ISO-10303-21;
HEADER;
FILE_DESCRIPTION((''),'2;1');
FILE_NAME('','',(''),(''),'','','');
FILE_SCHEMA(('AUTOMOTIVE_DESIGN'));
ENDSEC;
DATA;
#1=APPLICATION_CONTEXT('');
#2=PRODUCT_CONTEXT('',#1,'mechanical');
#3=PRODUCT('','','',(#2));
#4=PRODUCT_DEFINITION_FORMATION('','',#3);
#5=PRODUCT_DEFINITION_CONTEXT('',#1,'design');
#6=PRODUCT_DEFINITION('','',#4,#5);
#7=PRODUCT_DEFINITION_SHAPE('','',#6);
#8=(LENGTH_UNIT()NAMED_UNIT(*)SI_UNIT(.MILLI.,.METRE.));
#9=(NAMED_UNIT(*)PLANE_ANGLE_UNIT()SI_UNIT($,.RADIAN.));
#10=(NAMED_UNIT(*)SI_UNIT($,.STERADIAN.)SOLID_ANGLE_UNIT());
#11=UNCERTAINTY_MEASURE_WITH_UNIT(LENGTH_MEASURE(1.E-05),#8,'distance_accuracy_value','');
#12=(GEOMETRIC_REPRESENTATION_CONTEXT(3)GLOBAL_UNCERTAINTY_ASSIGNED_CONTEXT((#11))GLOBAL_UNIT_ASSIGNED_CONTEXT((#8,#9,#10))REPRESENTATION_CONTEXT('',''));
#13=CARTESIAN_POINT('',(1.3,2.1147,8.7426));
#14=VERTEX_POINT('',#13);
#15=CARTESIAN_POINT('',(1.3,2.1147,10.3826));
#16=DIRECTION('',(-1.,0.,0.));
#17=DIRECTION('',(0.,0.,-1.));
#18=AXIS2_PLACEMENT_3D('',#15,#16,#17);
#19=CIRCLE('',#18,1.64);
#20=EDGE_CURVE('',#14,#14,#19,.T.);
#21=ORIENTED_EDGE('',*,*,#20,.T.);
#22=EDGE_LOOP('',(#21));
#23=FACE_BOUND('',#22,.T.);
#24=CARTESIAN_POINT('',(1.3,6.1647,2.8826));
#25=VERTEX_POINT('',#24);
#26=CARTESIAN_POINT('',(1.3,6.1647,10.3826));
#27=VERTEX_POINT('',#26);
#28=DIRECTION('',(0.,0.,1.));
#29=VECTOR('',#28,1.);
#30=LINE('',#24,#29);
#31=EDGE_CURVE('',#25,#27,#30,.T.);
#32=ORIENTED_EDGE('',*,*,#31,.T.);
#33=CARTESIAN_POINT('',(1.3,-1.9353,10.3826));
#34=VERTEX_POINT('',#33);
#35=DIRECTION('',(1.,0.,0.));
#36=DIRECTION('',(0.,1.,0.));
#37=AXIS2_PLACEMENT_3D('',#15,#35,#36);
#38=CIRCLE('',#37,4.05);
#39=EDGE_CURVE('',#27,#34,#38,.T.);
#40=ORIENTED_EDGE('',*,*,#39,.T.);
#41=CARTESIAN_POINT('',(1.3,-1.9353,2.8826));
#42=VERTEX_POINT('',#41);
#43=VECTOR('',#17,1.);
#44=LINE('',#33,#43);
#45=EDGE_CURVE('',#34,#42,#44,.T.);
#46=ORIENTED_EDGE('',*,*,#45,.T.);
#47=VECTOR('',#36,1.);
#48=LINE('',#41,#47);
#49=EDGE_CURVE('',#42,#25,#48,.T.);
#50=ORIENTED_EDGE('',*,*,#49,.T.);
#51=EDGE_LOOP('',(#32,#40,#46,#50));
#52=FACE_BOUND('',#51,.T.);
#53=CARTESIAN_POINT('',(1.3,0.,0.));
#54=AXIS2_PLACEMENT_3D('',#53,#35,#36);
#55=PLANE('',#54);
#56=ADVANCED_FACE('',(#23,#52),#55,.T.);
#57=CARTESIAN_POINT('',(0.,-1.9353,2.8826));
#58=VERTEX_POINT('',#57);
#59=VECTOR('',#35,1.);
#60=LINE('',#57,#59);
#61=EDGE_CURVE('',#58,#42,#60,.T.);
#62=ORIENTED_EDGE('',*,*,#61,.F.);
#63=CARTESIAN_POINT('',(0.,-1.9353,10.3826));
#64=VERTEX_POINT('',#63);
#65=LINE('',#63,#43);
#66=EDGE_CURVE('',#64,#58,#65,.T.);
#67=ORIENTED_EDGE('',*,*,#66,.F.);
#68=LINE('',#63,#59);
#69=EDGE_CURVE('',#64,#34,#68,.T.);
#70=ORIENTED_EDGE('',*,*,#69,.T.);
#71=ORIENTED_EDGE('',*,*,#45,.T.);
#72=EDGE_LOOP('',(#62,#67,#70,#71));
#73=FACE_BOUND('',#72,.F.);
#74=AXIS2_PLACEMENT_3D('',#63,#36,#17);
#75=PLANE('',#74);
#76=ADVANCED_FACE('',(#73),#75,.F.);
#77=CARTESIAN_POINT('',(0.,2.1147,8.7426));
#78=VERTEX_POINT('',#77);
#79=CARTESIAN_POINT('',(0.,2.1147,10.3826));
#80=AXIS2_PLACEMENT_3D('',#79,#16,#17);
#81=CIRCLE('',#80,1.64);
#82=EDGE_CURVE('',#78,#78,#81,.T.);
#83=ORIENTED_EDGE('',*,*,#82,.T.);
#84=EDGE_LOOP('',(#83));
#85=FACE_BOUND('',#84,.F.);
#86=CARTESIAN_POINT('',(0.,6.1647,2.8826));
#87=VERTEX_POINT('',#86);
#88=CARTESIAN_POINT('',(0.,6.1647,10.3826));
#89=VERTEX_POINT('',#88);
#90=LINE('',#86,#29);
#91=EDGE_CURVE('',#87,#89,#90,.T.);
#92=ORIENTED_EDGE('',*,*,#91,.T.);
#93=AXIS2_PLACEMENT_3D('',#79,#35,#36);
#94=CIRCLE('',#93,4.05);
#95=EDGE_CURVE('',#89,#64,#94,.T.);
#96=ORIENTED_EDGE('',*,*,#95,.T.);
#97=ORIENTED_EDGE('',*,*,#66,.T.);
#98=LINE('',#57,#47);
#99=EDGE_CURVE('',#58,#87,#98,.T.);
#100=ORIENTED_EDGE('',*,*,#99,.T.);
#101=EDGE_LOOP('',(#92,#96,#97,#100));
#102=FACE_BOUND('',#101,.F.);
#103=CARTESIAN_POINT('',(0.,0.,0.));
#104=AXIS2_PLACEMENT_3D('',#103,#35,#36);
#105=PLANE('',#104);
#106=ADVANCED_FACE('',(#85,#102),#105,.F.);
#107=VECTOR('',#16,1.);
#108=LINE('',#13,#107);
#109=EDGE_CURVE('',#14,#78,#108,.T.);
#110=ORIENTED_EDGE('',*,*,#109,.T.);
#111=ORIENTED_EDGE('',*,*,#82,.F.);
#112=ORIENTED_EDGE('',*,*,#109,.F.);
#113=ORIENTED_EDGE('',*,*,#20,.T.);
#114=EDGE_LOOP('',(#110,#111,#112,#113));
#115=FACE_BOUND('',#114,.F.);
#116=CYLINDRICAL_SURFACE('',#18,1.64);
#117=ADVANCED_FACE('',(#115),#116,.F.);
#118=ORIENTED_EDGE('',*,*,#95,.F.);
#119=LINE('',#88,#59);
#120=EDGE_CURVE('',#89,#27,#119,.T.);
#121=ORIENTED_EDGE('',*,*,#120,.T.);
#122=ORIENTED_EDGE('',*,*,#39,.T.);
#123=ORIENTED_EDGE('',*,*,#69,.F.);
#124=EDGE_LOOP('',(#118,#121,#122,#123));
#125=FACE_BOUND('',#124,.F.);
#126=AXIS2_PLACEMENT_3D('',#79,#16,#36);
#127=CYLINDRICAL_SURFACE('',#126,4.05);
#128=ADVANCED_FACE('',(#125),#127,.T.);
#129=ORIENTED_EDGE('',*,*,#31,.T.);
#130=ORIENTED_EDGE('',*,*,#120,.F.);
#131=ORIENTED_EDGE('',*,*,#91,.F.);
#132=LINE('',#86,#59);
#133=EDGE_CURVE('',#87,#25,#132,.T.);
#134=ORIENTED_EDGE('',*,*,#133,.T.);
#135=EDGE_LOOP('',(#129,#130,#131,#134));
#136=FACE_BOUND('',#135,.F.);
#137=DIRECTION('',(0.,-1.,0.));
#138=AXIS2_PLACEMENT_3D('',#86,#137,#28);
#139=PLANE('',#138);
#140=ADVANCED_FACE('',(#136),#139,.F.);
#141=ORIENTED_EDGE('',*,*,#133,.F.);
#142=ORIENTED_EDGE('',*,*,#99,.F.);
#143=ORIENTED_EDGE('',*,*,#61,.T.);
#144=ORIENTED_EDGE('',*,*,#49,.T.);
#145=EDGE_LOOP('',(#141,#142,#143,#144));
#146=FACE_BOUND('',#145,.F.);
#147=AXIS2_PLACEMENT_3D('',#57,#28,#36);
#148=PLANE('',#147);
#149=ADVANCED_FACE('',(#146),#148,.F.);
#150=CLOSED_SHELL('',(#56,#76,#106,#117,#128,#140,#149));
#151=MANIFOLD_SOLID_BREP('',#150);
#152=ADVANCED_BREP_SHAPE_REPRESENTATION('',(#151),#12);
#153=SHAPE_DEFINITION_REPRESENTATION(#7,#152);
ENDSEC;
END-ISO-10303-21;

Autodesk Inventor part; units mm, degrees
ref_plane "YZ Plane" through (0, 0, 0) normal (1, 0, 0) x (0, 1, 0)
ref_plane "XZ Plane" through (0, 0, 0) normal (0, 1, 0) x (-1, 0, 0)
ref_plane "XY Plane" through (0, 0, 0) normal (0, 0, 1) x (1, 0, 0)
sketch "スケッチ1" plane through (0, 0, 0) normal (1, 0, 0) x (0, 1, 0)
  line L0 (6.1647, 10.3826) -> (-1.9353, 10.3826)
  line L1 (-1.9353, 10.3826) -> (-1.9353, 2.8826)
  line L2 (-1.9353, 2.8826) -> (6.1647, 2.8826)
  line L3 (6.1647, 2.8826) -> (6.1647, 10.3826)
  arc A0 (6.1647, 10.3826) -> (-1.9353, 10.3826) centre (2.1147, 10.3826) ccw
  circle A1 centre (2.1147, 10.3826) radius 1.64
  point P0 (0, 0)
  dimension "d0" = 8.1
  dimension "d1" = 7.5
  dimension "d2" = 3.28
extrude "押し出し1" add sketch "スケッチ1" along normal blind 1.3
sketch "スケッチ2" plane through (1.3, 0, 0) normal (1, 0, 0) x (0, 0, -1)
  point P0 (0, 0)
sketch "スケッチ3" plane through (1.3, 0, 0) normal (1, 0, 0) x (0, 0, -1)
  arc A0 (-10.3826, 6.1647) -> (-10.3826, -1.9353) centre (-10.3826, 2.1147) ccw projected
  circle A1 centre (-10.3826, 2.1147) radius 1.64
  point P0 (0, 0)
  dimension "d6" = 3.28
hole "穴1" at (1.3, 2.1147, 10.3826) direction (-1, 0, 0) diameter 3.28 depth 1.3
equation "\"BendRadius\" = Thickness"
equation "\"BendReliefWidth\" = Thickness"
equation "\"BendReliefDepth\" = 0.5 * Thickness"
equation "\"CornerReliefSize\" = 4 * Thickness"
equation "\"MinimumRemnant\" = 2 * Thickness"
equation "\"TransitionRadius\" = BendRadius"
equation "\"JacobiRadiusSize\" = BendRadius"
equation "\"GapSize\" = Thickness"
equation "\"Thickness\" = 0.5"
